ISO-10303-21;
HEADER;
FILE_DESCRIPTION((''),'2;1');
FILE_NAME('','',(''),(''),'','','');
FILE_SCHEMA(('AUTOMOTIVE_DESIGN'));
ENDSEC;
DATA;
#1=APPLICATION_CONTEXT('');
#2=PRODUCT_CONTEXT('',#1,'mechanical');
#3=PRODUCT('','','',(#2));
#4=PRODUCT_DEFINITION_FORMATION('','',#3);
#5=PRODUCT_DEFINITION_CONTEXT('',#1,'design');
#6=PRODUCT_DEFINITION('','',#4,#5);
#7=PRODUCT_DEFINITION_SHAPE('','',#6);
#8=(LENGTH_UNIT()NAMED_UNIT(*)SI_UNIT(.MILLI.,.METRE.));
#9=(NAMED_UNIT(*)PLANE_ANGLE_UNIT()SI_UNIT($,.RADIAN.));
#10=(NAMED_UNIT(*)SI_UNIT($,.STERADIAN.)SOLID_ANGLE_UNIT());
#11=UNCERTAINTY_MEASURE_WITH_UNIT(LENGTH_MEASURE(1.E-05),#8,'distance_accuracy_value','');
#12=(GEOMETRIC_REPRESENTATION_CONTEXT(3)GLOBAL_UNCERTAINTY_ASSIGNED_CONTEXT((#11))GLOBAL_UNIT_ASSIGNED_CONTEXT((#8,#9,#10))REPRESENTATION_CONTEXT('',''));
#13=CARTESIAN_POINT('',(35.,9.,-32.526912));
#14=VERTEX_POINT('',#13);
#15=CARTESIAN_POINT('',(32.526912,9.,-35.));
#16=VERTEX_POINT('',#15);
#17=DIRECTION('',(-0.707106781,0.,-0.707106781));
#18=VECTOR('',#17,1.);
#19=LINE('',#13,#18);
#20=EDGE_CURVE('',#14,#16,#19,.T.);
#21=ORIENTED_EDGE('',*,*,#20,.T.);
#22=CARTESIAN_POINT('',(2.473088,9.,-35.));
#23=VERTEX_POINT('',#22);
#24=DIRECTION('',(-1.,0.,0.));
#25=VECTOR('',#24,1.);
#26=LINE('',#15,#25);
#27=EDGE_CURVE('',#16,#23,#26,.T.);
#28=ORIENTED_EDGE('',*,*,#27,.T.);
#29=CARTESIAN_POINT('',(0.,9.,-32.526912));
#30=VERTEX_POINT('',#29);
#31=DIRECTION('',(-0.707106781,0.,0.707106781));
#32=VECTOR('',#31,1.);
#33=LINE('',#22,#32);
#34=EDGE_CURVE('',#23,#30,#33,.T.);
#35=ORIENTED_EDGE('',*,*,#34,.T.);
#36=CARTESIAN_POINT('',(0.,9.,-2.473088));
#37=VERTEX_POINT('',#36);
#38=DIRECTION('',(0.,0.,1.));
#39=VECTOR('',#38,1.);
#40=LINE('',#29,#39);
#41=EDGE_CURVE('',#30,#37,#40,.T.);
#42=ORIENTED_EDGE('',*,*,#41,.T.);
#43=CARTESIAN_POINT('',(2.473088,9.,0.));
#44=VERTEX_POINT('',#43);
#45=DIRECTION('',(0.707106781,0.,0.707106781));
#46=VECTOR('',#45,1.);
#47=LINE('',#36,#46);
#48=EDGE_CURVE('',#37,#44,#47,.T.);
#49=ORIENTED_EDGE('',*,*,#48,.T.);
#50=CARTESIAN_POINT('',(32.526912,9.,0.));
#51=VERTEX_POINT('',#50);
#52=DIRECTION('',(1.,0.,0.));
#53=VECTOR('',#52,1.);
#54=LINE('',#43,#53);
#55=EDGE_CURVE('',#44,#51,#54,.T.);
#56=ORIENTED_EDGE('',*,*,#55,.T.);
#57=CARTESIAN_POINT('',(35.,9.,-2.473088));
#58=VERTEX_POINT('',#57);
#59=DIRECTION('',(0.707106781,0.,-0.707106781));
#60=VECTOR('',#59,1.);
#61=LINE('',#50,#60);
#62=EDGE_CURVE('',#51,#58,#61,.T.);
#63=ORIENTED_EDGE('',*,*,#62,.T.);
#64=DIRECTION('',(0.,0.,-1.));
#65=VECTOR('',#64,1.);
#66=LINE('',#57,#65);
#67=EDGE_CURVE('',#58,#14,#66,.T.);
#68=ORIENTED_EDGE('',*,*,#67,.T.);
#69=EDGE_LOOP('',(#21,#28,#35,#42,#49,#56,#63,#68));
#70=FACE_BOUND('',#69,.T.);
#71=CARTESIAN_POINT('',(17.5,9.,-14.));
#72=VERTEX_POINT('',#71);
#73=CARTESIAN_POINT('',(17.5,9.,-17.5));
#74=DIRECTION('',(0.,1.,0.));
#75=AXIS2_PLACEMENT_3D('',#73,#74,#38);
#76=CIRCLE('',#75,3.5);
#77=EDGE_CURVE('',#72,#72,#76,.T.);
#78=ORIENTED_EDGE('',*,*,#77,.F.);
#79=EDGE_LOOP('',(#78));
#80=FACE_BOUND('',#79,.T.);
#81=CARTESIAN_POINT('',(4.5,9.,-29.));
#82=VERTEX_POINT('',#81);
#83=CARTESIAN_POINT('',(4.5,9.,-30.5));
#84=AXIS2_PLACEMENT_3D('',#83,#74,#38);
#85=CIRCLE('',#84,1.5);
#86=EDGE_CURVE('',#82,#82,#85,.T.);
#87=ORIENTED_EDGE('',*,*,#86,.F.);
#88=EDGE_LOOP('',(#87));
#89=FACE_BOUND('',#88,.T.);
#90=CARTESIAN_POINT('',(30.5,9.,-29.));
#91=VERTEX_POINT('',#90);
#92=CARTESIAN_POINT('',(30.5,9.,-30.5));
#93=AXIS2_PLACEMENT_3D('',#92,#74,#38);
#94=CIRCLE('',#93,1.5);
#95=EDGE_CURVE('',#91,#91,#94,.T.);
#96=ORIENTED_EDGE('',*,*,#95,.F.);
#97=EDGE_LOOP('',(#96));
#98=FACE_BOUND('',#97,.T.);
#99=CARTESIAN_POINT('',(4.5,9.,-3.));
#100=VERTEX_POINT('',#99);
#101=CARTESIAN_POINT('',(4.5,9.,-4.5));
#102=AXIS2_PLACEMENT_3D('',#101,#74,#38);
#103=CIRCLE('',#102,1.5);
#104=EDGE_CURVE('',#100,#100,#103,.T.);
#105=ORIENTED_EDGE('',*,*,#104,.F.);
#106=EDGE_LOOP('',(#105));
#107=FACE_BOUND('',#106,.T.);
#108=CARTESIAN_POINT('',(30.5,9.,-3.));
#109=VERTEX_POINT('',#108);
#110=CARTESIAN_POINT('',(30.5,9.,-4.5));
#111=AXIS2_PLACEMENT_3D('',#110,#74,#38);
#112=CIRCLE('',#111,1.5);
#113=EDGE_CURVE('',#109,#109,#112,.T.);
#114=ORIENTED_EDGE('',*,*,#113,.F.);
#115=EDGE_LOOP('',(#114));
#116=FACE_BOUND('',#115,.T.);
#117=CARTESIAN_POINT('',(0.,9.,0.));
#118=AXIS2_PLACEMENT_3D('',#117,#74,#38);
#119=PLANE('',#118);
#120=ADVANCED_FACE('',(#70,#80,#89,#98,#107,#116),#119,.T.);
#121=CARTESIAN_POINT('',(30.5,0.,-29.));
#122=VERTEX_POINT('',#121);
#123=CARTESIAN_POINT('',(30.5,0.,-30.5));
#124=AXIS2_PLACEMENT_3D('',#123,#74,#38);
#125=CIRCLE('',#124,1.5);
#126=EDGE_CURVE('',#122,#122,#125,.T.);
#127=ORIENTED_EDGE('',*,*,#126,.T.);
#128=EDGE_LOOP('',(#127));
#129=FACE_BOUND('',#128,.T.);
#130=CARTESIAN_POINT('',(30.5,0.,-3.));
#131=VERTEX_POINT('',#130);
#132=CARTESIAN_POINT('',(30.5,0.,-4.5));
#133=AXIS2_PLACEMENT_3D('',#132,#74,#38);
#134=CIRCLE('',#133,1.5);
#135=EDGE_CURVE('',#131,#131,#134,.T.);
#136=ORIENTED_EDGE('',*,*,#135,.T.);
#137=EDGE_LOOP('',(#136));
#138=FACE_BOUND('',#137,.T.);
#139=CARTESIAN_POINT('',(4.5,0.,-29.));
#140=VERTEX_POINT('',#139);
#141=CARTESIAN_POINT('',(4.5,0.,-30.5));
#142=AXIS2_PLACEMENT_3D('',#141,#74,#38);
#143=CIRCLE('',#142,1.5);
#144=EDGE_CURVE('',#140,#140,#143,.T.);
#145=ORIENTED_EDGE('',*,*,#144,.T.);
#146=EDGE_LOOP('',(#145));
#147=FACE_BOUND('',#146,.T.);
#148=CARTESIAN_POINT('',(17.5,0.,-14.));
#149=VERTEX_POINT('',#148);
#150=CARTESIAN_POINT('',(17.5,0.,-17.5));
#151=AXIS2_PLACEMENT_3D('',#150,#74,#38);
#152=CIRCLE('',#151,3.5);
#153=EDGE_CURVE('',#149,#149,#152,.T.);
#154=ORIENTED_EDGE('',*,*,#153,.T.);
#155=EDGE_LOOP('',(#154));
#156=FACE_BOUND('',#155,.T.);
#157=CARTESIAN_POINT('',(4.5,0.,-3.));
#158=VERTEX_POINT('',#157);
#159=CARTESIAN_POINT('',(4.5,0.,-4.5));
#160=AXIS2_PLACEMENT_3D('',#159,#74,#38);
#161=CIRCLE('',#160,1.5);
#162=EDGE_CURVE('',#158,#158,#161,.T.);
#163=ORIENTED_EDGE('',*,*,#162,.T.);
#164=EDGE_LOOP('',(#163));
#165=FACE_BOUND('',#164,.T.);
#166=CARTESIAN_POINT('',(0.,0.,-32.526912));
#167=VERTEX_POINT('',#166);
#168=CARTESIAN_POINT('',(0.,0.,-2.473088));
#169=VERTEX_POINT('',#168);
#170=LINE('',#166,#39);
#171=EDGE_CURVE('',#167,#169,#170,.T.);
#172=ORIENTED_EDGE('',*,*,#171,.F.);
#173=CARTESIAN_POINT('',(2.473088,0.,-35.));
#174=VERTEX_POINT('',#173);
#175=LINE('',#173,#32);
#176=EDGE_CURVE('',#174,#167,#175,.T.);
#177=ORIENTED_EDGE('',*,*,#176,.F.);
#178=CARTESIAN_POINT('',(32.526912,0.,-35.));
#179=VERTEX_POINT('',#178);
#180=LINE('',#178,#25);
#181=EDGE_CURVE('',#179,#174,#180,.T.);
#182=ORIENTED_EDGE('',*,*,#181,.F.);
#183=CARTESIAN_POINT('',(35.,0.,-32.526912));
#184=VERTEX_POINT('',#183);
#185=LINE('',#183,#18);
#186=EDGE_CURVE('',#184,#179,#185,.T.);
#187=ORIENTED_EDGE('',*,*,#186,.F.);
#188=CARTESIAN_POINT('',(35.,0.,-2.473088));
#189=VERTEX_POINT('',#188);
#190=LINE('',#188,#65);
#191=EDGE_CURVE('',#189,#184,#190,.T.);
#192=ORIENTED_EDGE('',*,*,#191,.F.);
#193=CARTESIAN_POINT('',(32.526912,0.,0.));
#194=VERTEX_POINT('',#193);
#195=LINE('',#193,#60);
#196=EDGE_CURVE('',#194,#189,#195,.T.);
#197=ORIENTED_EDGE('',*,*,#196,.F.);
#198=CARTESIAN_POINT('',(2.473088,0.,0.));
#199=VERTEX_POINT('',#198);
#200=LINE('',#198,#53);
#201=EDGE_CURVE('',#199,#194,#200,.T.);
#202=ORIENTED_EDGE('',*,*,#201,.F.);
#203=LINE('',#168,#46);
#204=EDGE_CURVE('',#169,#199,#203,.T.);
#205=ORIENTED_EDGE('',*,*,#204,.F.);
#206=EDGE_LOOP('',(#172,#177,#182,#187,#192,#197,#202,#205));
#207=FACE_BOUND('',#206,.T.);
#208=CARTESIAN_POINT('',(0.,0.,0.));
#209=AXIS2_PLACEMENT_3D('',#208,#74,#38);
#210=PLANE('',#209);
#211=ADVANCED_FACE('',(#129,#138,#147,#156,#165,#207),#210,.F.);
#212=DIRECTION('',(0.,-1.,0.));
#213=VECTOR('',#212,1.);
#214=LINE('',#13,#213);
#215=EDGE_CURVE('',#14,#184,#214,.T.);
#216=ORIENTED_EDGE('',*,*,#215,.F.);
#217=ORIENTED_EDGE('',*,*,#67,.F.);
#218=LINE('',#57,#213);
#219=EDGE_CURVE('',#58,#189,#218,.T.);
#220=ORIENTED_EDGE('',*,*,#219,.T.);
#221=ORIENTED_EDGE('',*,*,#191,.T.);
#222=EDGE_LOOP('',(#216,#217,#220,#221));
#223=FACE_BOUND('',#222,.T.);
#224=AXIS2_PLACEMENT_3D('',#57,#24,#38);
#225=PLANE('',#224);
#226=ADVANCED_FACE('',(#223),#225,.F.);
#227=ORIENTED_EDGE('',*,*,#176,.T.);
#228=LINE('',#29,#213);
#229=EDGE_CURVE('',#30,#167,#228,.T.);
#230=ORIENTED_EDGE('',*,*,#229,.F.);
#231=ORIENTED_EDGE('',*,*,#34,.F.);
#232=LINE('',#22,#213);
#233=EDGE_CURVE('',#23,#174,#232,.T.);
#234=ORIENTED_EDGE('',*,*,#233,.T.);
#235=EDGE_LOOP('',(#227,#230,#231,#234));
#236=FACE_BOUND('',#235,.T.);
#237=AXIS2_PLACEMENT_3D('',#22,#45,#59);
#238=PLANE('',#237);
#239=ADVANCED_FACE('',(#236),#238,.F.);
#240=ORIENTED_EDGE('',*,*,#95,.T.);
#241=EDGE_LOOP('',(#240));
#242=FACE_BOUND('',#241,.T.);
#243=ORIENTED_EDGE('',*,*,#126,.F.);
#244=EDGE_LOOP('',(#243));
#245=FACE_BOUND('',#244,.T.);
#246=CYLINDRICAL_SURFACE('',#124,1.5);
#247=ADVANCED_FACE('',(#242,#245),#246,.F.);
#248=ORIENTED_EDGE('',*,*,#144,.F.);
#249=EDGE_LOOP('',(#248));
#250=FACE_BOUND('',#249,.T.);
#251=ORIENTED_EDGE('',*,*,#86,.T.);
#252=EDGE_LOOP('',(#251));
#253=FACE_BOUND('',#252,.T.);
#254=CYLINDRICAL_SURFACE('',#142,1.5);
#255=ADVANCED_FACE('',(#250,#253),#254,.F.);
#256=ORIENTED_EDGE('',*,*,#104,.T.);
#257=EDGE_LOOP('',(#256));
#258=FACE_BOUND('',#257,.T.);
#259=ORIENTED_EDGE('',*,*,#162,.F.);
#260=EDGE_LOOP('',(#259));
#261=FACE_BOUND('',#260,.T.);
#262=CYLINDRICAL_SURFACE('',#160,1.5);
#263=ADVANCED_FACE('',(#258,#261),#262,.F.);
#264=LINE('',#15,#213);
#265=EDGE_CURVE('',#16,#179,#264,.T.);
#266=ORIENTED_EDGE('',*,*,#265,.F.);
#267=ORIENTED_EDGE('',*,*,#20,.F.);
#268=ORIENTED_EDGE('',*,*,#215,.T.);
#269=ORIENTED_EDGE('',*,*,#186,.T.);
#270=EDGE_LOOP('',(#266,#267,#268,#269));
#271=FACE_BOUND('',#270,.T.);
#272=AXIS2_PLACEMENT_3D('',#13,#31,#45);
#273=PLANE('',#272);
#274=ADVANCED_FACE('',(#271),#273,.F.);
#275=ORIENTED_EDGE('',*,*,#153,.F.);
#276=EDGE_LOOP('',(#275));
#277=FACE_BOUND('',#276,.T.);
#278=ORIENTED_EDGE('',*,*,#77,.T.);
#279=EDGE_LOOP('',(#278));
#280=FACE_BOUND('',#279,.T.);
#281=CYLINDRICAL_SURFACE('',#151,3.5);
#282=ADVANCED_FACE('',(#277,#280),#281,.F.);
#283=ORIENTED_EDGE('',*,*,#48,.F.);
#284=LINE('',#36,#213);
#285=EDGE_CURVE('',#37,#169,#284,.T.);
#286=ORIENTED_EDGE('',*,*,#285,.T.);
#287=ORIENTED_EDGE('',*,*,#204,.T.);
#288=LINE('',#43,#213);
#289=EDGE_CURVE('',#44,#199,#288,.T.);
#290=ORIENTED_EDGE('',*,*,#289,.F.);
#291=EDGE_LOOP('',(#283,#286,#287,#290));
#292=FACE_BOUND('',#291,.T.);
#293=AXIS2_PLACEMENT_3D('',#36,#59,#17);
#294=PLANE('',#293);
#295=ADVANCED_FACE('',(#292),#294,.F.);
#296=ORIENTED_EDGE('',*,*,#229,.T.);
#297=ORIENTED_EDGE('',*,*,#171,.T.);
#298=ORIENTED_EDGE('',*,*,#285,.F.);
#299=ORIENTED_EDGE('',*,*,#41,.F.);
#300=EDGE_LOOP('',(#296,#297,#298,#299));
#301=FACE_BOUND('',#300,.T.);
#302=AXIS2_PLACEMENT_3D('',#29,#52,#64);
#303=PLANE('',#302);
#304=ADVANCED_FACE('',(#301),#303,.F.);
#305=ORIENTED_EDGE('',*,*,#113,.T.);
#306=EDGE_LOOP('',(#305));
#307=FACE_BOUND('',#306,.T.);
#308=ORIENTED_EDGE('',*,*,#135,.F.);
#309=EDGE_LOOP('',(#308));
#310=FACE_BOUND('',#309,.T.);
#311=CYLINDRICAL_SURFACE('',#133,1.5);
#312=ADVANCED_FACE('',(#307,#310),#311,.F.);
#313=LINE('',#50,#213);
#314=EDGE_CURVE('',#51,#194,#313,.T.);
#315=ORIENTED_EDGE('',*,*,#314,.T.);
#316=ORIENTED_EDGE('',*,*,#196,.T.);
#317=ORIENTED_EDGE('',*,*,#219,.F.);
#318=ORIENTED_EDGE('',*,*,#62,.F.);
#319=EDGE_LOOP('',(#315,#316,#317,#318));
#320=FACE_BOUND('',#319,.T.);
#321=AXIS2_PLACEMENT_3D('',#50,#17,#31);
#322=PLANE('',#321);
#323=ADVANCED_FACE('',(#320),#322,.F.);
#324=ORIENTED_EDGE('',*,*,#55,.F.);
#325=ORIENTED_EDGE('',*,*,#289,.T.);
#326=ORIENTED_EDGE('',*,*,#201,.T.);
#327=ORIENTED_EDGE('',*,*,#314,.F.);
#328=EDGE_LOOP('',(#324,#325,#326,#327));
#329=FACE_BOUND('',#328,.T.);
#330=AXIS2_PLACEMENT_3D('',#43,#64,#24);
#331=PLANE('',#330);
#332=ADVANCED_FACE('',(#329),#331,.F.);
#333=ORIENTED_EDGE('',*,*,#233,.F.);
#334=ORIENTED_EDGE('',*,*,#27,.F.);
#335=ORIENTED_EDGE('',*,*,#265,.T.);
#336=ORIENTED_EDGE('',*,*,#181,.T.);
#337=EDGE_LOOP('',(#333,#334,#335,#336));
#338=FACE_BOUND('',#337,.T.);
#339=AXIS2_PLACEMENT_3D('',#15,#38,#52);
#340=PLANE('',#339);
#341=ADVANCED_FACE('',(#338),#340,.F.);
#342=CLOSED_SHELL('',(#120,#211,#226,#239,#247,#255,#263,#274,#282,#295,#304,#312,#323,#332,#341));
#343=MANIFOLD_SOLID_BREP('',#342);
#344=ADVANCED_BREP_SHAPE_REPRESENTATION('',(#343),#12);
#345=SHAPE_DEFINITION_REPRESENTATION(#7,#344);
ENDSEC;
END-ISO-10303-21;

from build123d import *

# Parameters (mm, degrees)
SALIENTE_EXTRUIR1_DEPTH = 9
CROQUIS2_R              = 3.5
CORTAR_EXTRUIR1_DEPTH   = 10
CROQUIS3_R              = 1.5
CORTAR_EXTRUIR2_DEPTH   = 10


with BuildPart() as part:
    # Croquis1 → Saliente-Extruir1 (new body)
    with BuildSketch(Plane(origin=(0, 0, 0), x_dir=(1, 0, 0), z_dir=(0, 1, 0))):
        Polygon((0, 2.473088065), (2.473088065, 0), (32.526911935, 0), (35, 2.473088065), (35, 32.526911935), (32.526911935, 35), (2.473088065, 35), (0, 32.526911935), align=None)
    extrude(amount=SALIENTE_EXTRUIR1_DEPTH)

    # Croquis2 → Cortar-Extruir1 (cut, through all)
    with BuildSketch(Plane(origin=(0, 9, 0), x_dir=(1, 0, 0), z_dir=(0, 1, 0))):
        with Locations((17.5, 17.5)):
            Circle(CROQUIS2_R)
    extrude(amount=-CORTAR_EXTRUIR1_DEPTH, mode=Mode.SUBTRACT)

    # Croquis3 → Cortar-Extruir2 (cut, through all)
    with BuildSketch(Plane(origin=(0, 9, 0), x_dir=(1, 0, 0), z_dir=(0, 1, 0))):
        with Locations((4.5, 30.5)):
            Circle(CROQUIS3_R)
        with Locations((30.5, 30.5)):
            Circle(CROQUIS3_R)
        with Locations((30.5, 4.5)):
            Circle(CROQUIS3_R)
        with Locations((4.5, 4.5)):
            Circle(CROQUIS3_R)
    extrude(amount=-CORTAR_EXTRUIR2_DEPTH, mode=Mode.SUBTRACT)


solid = part.part
